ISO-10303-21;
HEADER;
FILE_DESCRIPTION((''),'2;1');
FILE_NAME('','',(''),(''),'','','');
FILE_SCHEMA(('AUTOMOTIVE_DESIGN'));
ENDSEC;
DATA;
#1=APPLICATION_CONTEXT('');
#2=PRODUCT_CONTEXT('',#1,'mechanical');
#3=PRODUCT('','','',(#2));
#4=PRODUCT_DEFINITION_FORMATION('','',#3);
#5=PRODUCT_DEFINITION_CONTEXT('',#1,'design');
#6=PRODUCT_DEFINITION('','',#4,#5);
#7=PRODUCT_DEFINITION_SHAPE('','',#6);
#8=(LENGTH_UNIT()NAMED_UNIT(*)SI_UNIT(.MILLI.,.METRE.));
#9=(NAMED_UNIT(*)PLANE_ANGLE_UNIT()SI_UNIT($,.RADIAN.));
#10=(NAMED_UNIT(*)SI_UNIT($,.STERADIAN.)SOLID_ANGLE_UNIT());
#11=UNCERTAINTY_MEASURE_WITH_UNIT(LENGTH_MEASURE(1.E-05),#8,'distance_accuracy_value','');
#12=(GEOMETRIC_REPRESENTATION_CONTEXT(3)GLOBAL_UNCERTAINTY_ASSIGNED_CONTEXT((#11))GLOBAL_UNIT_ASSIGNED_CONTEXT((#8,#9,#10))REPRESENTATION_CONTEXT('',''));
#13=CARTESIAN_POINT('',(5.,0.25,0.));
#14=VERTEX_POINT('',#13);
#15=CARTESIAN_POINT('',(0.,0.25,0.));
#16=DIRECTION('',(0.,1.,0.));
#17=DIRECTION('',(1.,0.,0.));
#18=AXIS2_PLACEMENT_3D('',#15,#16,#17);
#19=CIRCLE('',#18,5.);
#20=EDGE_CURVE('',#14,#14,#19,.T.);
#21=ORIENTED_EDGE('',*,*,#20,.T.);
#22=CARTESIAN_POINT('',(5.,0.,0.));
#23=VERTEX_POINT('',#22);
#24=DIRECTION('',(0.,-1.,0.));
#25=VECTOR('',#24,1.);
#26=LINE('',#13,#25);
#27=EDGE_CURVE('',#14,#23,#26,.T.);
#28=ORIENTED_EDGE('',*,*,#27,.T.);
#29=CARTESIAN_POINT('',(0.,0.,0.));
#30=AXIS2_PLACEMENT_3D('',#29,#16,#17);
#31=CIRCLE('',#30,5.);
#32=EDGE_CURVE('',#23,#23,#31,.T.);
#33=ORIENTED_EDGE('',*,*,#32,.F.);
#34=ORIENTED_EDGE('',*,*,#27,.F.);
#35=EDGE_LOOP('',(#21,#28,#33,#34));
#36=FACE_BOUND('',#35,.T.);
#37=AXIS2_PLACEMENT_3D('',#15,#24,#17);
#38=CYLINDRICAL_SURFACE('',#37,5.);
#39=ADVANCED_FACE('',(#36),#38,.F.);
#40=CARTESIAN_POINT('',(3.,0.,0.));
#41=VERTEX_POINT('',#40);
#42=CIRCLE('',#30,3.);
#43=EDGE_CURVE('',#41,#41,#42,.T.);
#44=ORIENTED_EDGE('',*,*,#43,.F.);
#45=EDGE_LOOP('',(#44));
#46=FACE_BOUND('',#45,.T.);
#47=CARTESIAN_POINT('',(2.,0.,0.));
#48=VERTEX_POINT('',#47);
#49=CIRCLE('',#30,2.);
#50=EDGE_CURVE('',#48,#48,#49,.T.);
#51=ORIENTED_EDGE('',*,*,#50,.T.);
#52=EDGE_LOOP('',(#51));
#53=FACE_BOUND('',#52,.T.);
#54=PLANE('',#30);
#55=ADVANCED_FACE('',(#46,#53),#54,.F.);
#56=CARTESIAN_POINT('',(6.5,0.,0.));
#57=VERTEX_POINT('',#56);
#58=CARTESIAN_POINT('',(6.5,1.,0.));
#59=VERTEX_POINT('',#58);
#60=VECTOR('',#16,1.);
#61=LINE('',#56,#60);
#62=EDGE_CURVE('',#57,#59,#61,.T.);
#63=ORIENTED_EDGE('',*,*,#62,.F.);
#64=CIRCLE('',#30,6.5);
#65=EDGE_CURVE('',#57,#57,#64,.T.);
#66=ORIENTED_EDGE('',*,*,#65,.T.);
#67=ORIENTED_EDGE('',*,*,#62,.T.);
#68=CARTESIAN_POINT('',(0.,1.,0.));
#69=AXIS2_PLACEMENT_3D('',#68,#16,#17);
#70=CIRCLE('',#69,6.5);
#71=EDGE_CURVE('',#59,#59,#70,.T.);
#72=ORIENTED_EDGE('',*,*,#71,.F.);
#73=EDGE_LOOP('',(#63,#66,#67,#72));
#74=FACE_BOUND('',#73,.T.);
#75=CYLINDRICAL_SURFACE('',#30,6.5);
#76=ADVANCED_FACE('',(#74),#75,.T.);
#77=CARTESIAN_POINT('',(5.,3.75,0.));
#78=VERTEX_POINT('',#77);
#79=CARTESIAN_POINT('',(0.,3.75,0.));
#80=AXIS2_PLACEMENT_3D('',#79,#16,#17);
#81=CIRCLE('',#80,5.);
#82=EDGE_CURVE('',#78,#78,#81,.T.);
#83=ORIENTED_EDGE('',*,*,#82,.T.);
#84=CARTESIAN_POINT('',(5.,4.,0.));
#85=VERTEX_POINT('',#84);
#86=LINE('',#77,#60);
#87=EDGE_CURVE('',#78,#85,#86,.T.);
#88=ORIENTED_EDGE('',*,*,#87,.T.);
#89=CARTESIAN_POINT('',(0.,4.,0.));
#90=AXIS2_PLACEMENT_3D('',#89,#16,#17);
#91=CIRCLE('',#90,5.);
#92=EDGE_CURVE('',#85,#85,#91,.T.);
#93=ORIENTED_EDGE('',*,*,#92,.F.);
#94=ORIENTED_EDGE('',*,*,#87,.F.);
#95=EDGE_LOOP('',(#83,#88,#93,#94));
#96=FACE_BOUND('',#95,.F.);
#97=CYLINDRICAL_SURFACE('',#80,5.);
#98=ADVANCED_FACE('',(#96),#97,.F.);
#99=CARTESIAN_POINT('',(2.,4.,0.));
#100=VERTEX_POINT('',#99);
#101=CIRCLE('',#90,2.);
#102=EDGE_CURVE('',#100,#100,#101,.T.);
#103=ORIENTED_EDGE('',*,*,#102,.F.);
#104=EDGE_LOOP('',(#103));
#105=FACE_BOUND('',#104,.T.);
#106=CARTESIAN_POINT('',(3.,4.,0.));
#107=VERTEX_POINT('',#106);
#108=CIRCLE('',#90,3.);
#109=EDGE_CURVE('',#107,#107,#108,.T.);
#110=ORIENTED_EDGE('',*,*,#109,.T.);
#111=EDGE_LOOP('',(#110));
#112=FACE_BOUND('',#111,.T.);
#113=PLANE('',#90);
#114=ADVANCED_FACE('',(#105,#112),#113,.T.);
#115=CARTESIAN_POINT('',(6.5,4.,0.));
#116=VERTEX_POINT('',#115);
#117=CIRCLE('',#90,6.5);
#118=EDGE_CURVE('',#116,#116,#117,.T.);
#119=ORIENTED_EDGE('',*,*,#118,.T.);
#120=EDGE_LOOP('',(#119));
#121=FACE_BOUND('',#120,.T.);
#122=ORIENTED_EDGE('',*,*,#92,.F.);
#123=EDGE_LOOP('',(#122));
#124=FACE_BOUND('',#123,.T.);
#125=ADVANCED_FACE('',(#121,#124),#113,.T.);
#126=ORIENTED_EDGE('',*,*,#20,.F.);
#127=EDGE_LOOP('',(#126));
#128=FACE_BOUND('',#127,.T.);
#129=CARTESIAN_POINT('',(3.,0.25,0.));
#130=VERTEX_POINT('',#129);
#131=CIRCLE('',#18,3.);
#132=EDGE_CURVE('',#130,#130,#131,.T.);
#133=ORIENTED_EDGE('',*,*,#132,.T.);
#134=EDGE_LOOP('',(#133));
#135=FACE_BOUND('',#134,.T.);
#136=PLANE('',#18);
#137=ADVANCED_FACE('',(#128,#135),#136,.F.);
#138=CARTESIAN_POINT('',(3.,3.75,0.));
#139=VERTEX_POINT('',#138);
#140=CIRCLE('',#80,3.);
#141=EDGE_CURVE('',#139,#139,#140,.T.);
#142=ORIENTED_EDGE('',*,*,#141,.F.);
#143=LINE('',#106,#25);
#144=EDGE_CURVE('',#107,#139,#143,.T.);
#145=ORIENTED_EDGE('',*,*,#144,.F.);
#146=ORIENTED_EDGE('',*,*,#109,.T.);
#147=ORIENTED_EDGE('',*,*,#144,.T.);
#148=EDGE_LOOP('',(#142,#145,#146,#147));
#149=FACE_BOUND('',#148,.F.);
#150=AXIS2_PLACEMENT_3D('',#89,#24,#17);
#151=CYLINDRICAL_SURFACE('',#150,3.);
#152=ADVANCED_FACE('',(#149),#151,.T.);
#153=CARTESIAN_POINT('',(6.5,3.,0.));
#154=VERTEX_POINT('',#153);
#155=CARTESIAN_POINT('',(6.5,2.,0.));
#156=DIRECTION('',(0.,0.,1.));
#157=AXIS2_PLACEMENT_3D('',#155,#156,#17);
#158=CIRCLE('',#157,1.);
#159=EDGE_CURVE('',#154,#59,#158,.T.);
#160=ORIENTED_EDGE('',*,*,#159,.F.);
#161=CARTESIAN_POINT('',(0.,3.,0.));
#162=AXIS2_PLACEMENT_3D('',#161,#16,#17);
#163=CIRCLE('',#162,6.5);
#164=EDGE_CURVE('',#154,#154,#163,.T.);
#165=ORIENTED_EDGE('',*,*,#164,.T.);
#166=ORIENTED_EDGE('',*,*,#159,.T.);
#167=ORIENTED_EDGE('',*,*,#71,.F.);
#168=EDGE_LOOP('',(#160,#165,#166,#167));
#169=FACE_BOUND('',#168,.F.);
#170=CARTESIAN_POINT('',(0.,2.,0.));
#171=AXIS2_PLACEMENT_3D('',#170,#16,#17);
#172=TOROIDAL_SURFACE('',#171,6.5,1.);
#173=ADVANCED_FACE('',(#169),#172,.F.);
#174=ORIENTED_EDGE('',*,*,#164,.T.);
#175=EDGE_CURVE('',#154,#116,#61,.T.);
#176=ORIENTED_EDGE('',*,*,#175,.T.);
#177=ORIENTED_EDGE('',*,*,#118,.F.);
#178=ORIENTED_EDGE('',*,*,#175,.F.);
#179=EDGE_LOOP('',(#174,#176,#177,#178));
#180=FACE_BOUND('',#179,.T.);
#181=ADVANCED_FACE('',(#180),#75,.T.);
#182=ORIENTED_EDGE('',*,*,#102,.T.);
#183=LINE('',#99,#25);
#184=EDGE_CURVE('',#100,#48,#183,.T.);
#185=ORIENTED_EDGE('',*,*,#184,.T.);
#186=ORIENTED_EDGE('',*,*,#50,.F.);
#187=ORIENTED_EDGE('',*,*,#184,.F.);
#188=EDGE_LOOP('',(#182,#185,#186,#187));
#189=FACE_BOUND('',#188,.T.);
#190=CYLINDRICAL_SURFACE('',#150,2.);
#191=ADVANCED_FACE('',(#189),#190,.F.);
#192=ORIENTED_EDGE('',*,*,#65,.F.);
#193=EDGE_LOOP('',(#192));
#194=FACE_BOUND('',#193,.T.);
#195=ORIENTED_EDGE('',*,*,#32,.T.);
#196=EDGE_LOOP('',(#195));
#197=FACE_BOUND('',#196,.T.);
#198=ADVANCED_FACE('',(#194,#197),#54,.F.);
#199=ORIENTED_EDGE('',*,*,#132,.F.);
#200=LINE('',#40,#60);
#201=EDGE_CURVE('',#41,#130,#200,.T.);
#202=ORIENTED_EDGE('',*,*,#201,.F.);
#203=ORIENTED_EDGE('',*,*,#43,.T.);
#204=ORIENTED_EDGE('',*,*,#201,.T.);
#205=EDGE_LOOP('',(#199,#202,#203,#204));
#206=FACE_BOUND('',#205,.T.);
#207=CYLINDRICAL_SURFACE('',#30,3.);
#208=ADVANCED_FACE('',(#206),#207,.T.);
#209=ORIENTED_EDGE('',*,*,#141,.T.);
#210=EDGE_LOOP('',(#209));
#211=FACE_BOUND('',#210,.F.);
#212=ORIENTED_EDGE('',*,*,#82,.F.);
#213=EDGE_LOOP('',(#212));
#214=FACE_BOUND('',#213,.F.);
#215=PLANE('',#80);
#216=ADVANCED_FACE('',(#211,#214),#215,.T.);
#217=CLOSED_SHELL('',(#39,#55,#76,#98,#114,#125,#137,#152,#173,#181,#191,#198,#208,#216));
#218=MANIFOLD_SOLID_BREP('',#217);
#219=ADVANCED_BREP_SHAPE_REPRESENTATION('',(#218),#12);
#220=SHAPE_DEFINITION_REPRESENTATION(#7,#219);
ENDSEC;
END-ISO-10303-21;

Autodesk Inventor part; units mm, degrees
ref_plane "YZ Plane" through (0, 0, 0) normal (1, 0, 0) x (0, 1, 0)
ref_plane "XZ Plane" through (0, 0, 0) normal (0, 1, 0) x (-1, 0, 0)
ref_plane "XY Plane" through (0, 0, 0) normal (0, 0, 1) x (1, 0, 0)
sketch "Sketch1" plane through (0, 0, 0) normal (0, 0, 1) x (1, 0, 0)
  line L0 (0, 0) -> (0, 5.0023) construction
  line L1 (2, 0) -> (6.5, 0)
  line L2 (6.5, 0) -> (6.5, 4)
  line L3 (6.5, 4) -> (2, 4)
  line L4 (2, 4) -> (2, 0)
  circle A0 centre (6.5, 2) radius 1
  line L5 (3, 4) -> (3, 3.75)
  line L6 (3, 3.75) -> (5, 3.75)
  line L7 (5, 3.75) -> (5, 4)
  line L8 (3, 0) -> (3, 0.25)
  line L9 (3, 0.25) -> (5, 0.25)
  line L10 (5, 0.25) -> (5, 0)
  point P0 (0, 2.5011)
  point P1 (6.5, 1)
  point P2 (6.5, 3)
  point P3 (3, 3.875)
  dimension "d0" = 2
  dimension "d1" = 2
  dimension "d2" = 6.5
  dimension "d3" = 4
  dimension "d5" = 0.25
  dimension "d6" = 1
  dimension "d7" = 2
revolve "Revolution1" add sketch "Sketch1" angle 360 about axis through (0, 0, 0) along (0, 1, 0) contours L4 L3 L5 L6 L7 L2 A0 L1 L10 L9 L8
properties part number "BearingU604" material "Steel, Alloy"
